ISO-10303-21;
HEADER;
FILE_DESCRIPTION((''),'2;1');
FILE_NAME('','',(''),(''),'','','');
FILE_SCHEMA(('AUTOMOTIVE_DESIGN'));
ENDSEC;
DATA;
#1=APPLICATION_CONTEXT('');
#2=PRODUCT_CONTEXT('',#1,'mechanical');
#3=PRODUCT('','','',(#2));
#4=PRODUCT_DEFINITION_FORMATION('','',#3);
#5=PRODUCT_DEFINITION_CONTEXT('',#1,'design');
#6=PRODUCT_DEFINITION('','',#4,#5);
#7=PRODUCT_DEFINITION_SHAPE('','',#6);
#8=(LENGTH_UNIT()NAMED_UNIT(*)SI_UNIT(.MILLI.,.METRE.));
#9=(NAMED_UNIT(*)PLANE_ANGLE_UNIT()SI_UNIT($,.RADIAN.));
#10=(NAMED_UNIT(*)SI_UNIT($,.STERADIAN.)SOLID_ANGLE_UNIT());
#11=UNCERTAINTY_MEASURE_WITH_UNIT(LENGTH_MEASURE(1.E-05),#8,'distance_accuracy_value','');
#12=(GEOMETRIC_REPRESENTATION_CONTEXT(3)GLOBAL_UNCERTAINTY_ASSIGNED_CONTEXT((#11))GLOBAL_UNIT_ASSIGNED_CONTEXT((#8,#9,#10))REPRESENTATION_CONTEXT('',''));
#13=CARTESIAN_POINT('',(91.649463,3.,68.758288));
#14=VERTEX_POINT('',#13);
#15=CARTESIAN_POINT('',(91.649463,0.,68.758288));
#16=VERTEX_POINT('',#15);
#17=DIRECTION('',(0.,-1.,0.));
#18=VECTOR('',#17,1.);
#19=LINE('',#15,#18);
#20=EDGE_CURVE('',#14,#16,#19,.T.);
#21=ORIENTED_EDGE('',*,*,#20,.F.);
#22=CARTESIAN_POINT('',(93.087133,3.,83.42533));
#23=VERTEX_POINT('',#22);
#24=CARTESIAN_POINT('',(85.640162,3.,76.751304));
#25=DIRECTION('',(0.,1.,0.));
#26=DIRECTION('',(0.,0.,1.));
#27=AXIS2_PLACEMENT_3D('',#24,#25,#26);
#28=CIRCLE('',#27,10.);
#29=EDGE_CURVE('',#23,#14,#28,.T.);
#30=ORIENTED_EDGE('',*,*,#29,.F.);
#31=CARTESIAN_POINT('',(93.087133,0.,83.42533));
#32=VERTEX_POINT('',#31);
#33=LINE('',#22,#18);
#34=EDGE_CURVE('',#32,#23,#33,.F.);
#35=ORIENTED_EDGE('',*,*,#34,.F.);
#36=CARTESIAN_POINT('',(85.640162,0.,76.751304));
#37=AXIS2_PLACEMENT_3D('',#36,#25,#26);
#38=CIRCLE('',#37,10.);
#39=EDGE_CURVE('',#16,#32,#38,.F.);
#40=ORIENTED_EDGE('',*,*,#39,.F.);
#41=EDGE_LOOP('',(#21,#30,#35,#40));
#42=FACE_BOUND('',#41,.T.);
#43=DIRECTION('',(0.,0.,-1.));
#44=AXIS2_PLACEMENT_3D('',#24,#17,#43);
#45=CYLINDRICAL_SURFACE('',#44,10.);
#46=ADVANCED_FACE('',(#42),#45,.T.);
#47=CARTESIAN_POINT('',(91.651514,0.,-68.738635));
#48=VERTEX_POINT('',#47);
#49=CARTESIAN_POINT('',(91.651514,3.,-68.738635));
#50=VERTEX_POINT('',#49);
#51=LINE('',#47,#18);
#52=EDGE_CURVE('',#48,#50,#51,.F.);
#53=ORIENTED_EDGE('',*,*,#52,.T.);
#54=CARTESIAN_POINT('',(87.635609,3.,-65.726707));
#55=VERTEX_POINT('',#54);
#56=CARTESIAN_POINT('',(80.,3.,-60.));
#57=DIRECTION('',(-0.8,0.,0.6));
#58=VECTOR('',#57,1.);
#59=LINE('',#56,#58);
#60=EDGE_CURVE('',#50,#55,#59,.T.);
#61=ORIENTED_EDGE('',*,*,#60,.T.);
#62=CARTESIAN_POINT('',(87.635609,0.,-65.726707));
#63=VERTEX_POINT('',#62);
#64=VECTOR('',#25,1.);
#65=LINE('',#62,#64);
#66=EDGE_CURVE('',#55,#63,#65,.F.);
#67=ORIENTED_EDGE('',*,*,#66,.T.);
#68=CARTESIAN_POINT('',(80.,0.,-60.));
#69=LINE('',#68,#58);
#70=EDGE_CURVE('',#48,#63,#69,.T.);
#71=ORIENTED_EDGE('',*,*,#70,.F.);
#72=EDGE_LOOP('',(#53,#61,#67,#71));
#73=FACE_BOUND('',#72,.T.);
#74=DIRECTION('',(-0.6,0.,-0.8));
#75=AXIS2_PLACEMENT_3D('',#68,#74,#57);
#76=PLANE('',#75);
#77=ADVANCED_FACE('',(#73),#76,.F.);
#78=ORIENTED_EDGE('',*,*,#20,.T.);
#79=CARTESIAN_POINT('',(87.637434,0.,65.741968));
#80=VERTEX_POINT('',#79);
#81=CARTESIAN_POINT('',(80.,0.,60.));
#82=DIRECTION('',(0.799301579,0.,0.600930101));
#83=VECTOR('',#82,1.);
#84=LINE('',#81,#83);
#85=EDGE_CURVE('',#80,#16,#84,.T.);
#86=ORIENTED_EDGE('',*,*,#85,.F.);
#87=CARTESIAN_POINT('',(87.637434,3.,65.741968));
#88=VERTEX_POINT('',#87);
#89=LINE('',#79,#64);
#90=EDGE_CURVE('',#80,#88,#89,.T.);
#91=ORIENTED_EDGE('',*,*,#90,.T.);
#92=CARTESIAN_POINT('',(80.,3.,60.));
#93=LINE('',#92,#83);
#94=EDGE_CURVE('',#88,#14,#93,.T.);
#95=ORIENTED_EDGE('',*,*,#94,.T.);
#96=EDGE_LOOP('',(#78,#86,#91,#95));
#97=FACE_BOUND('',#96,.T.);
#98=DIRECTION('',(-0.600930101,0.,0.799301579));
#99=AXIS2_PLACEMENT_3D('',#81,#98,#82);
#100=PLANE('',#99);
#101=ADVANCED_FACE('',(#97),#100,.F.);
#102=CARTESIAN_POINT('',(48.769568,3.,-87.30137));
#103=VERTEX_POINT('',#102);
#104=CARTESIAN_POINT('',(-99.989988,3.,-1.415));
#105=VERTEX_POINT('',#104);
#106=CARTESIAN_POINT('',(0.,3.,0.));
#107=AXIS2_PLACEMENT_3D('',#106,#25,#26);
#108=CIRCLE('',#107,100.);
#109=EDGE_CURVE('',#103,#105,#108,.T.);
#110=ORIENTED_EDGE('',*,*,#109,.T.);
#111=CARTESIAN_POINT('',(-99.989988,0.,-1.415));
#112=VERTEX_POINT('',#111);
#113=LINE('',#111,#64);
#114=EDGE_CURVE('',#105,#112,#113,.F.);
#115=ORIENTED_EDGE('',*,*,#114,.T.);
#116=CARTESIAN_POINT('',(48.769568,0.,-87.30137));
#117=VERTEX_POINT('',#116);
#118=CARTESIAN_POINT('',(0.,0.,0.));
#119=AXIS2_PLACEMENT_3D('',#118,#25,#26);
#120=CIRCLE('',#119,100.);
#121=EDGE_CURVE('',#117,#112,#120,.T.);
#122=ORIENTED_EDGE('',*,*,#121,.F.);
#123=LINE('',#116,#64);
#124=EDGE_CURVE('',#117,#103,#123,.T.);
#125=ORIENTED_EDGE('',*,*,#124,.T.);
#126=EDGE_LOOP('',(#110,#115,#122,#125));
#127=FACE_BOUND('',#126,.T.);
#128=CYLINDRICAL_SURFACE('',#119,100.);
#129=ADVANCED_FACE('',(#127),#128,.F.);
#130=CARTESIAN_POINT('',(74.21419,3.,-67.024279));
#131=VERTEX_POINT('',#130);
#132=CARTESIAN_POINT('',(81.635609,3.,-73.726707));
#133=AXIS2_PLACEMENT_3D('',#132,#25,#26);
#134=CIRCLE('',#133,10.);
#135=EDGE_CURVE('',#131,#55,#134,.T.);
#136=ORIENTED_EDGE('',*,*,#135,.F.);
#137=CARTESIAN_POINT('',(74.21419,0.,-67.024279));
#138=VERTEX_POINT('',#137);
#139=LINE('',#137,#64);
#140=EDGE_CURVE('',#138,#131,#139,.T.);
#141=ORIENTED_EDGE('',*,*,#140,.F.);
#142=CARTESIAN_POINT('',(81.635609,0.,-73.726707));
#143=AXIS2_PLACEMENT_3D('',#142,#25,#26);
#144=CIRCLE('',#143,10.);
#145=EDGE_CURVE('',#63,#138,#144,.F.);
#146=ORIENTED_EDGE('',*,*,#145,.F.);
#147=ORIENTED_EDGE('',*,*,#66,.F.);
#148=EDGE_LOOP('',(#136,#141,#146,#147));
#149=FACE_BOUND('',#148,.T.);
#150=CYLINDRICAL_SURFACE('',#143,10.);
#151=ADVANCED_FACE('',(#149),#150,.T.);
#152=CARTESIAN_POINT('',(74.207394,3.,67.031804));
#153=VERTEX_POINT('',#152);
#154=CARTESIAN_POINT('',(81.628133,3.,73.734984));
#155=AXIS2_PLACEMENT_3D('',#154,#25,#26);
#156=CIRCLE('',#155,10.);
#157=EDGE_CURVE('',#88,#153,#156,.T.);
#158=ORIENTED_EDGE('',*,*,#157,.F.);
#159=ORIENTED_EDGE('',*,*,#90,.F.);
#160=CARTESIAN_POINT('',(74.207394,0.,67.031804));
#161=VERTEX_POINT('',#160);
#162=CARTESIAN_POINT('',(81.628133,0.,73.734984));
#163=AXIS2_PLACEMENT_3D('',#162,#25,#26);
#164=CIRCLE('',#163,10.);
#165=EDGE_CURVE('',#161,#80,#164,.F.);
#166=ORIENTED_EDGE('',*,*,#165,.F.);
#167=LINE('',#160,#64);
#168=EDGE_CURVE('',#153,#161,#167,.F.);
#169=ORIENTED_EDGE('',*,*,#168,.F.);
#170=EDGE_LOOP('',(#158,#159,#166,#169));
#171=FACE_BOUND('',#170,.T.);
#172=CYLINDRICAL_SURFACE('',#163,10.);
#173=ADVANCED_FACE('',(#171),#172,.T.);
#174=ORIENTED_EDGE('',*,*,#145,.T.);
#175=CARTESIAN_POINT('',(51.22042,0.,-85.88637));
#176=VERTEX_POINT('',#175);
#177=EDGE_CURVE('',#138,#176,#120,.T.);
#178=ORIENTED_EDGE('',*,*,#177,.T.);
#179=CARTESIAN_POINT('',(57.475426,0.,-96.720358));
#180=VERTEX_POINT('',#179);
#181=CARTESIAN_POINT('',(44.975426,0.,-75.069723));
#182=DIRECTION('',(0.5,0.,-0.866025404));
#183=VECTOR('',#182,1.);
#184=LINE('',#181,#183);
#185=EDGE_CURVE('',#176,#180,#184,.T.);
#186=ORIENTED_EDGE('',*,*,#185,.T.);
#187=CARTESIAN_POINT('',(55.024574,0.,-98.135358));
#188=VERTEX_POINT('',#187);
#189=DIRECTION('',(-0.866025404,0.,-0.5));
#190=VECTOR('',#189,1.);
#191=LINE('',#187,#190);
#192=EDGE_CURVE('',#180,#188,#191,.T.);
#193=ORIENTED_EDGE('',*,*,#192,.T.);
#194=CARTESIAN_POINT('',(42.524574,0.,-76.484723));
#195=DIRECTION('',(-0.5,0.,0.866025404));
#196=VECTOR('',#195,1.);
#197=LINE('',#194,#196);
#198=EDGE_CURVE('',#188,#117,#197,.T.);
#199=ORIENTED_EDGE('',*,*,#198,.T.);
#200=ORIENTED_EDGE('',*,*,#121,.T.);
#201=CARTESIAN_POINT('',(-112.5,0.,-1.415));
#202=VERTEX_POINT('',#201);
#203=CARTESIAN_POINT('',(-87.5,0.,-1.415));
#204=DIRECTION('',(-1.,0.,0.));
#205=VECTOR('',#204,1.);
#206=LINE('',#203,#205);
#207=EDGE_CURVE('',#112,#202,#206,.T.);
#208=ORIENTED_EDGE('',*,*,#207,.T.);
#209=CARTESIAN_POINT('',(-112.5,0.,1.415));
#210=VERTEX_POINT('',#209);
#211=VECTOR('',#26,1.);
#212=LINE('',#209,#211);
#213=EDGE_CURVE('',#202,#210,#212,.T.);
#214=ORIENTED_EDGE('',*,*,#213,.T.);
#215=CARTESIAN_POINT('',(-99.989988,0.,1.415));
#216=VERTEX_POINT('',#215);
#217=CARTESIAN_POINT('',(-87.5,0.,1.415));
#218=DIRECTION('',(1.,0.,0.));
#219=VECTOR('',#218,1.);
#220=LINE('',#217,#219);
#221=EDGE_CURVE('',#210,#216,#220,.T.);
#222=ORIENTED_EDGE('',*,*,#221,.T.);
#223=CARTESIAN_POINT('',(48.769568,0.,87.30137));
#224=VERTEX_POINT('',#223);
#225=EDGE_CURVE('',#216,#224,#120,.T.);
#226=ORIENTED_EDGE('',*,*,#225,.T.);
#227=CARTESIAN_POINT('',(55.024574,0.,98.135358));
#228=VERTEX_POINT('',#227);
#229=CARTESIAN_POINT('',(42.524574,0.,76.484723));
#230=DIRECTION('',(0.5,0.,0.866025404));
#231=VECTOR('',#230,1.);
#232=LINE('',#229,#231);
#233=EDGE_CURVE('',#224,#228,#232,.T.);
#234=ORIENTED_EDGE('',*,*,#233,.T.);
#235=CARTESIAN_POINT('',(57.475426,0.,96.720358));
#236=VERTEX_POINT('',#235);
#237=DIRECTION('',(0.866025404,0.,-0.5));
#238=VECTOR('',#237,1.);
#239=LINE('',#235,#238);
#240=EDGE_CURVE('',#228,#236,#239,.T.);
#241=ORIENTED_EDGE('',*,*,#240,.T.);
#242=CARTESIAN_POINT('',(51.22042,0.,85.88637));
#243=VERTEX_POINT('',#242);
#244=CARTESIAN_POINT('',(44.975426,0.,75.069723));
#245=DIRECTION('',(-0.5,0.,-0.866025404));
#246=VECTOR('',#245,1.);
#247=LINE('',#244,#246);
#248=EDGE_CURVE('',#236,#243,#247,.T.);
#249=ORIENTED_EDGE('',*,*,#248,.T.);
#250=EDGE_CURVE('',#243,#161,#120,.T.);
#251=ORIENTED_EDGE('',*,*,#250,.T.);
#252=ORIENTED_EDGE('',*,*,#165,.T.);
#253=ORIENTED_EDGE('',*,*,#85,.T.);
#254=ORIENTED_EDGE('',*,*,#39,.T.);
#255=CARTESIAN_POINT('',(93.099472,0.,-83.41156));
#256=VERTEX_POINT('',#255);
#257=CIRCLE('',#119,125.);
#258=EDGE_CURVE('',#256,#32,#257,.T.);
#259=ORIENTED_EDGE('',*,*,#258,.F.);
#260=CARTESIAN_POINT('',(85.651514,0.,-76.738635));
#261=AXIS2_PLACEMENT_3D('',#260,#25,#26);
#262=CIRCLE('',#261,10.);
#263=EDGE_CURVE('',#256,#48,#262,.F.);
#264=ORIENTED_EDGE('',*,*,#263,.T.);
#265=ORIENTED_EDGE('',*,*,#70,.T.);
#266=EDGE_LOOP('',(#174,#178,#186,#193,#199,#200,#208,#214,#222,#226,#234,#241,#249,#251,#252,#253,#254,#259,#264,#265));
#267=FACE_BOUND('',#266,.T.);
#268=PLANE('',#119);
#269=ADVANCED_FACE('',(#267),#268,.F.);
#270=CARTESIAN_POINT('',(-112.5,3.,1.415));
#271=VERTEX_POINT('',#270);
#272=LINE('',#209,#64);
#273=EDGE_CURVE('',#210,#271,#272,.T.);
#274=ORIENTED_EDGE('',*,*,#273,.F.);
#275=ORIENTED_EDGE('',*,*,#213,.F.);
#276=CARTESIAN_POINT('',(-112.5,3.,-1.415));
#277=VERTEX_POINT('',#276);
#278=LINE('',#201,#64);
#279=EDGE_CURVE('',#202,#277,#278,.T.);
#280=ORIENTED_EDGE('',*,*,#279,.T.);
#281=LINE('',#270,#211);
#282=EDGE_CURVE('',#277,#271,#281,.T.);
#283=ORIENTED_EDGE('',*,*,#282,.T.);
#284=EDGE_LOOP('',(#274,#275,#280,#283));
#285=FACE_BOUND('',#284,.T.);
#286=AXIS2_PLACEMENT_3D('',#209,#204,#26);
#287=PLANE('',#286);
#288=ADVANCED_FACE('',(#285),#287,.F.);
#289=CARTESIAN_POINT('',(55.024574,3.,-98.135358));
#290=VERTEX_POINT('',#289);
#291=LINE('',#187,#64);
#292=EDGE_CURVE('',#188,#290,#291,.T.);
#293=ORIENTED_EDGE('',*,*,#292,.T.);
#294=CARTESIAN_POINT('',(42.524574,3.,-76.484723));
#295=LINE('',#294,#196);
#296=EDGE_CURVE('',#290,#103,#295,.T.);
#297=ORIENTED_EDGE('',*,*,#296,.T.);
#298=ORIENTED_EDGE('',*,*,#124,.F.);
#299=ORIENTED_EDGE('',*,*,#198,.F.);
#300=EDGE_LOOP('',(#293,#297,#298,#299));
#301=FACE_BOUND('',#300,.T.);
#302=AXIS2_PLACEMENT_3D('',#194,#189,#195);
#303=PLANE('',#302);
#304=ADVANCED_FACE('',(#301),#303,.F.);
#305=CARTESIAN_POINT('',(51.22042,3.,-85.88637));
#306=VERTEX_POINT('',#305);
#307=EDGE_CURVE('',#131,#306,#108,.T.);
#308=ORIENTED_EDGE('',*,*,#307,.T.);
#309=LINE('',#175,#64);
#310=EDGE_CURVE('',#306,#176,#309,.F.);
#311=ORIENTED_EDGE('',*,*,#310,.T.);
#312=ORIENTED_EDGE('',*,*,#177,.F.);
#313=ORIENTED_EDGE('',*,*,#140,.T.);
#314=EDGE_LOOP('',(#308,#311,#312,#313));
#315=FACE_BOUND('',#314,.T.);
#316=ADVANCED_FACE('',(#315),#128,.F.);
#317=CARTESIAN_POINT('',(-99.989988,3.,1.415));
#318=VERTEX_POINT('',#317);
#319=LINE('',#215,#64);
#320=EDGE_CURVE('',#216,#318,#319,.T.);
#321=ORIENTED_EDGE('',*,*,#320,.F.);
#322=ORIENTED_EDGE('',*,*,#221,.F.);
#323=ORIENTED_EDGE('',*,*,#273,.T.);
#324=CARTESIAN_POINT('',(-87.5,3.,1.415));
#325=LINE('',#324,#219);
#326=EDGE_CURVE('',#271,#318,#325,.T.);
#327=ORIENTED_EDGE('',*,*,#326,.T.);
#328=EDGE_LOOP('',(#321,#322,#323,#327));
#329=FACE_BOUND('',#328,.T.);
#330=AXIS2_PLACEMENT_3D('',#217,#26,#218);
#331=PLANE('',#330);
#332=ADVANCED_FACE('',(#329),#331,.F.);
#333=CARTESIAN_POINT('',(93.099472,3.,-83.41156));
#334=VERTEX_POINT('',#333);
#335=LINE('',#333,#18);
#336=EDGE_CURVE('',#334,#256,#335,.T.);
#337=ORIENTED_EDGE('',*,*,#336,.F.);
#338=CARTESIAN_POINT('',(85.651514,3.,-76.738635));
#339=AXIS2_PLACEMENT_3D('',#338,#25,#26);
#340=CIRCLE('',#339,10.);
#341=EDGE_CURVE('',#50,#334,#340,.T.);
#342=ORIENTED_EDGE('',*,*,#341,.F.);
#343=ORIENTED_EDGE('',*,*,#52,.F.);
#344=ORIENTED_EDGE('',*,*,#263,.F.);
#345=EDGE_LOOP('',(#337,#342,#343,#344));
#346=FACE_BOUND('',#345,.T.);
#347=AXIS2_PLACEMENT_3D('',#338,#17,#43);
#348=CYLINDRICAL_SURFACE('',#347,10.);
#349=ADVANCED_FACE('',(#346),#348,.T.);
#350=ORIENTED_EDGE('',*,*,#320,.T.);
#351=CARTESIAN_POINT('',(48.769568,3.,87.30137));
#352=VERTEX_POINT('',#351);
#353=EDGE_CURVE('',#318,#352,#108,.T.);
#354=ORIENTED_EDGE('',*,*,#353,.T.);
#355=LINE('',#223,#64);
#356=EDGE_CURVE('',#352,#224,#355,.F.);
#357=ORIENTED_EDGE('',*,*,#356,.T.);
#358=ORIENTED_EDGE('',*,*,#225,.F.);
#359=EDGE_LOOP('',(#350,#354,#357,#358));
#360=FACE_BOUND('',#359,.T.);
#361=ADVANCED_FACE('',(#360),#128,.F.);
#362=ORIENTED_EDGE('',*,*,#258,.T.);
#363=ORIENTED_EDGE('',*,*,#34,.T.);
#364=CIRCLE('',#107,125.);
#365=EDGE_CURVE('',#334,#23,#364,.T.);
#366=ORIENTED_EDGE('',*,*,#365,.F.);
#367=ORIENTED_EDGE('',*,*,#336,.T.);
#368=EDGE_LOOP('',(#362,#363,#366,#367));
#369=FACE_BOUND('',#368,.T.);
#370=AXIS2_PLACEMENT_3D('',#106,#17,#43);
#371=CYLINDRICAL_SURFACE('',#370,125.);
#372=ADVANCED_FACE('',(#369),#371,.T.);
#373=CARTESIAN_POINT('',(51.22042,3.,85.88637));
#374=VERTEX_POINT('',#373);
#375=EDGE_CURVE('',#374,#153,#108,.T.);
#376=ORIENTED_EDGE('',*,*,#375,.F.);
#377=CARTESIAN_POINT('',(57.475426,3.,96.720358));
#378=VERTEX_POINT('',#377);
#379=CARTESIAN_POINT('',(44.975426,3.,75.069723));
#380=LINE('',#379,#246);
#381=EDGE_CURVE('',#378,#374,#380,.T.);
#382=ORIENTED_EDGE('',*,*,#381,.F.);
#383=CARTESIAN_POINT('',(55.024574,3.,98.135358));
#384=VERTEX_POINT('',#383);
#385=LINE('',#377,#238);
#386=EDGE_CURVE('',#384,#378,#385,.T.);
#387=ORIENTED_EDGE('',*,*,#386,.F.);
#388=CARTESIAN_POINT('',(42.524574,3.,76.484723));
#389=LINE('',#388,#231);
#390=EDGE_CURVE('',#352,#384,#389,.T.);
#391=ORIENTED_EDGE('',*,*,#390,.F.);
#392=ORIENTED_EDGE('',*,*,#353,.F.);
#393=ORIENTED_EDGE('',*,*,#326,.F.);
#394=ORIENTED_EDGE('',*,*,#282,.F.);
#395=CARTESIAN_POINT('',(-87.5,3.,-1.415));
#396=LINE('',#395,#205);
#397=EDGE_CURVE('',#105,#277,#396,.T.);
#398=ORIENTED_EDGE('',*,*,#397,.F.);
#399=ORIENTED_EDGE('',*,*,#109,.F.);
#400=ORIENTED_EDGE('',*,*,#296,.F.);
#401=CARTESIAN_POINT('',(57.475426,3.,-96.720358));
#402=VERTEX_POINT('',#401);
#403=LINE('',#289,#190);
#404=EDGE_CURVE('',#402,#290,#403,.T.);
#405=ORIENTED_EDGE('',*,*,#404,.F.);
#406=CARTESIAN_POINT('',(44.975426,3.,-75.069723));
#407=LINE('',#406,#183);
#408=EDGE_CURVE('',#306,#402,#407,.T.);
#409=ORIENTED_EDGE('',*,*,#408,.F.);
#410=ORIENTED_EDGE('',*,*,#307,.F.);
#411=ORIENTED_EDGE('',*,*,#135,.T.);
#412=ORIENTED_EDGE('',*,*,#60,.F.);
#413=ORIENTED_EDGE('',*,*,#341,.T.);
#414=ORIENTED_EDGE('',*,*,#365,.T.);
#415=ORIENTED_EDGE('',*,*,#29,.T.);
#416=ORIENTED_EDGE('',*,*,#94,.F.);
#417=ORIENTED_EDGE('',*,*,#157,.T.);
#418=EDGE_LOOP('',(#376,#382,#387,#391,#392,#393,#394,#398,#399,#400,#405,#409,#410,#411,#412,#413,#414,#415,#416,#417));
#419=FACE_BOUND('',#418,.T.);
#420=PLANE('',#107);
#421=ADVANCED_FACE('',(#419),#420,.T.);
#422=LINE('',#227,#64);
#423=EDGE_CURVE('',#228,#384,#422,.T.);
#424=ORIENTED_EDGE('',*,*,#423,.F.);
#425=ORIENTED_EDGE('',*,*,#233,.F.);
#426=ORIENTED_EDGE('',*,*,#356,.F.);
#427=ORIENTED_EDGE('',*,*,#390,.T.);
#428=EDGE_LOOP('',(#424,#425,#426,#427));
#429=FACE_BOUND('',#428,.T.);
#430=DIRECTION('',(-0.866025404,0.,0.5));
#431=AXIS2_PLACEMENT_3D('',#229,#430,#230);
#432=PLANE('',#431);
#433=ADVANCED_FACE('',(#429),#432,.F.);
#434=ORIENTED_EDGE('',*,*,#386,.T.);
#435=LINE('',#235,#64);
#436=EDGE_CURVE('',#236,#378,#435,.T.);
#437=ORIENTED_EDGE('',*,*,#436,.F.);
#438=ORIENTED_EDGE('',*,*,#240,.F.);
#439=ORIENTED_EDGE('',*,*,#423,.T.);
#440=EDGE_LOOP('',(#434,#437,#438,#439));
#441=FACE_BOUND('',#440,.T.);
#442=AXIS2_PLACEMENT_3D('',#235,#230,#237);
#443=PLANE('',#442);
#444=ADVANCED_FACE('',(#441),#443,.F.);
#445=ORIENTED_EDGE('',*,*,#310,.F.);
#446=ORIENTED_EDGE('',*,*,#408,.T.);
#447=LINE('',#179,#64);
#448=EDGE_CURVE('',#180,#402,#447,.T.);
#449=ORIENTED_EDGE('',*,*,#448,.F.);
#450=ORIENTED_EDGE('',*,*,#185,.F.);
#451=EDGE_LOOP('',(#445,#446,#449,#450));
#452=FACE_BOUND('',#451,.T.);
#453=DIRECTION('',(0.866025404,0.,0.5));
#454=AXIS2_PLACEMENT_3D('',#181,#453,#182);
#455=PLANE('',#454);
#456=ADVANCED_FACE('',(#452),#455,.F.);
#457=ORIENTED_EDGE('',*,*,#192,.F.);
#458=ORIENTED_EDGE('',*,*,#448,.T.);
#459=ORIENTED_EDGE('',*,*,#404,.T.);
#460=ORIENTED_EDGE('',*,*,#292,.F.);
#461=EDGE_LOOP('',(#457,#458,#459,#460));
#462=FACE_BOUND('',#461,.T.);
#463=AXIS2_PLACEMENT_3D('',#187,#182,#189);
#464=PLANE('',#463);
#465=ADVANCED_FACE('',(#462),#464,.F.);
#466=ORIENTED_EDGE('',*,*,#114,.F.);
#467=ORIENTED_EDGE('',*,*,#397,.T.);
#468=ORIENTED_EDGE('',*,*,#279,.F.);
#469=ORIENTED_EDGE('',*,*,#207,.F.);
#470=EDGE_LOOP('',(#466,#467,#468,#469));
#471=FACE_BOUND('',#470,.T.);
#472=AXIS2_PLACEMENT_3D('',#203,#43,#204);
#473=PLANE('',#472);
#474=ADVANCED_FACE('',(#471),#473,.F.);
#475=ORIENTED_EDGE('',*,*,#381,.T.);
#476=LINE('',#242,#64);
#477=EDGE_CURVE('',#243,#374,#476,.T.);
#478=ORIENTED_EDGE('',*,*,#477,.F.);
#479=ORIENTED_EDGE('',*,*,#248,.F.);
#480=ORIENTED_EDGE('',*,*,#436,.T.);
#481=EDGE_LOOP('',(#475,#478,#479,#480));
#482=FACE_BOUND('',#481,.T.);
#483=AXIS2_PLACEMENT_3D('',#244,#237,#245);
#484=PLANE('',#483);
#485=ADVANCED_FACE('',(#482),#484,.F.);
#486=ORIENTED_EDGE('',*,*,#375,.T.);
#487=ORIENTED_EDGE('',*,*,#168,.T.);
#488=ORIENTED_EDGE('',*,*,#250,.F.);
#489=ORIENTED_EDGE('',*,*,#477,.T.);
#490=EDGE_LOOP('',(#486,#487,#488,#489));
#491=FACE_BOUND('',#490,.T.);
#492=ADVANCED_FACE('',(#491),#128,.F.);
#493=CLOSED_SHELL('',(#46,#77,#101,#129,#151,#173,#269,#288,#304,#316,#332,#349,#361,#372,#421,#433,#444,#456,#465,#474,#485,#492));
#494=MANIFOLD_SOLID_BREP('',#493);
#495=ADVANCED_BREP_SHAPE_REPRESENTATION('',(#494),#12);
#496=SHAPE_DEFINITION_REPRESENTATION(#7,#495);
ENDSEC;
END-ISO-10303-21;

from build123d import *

# Parameters (mm, degrees)
SKETCH1_R           = 125
BOSS_EXTRUDE1_DEPTH = 3
SKETCH2_R           = 100
CUT_EXTRUDE1_DEPTH  = 3
SKETCH3_W           = 25
SKETCH3_H           = 2.83
CUT_EXTRUDE2_DEPTH  = 3
CIRPATTERN1_COUNT   = 3
CUT_EXTRUDE3_DEPTH  = 3
FILLET1_R           = 10


with BuildPart() as part:
    # Sketch1 → Boss-Extrude1 (new body)
    with BuildSketch(Plane(origin=(0, 0, 0), x_dir=(1, 0, 0), z_dir=(0, 1, 0))):
        with Locations(Location((0, 0, 0), (0, 0, 270))):
            Circle(SKETCH1_R)
    extrude(amount=BOSS_EXTRUDE1_DEPTH)

    # Sketch2 → Cut-Extrude1 (cut)
    with BuildSketch(Plane(origin=(0, 3, 0), x_dir=(1, 0, 0), z_dir=(0, 1, 0))):
        with Locations(Location((0, 0, 0), (0, 0, 270))):
            Circle(SKETCH2_R)
    extrude(amount=-CUT_EXTRUDE1_DEPTH, mode=Mode.SUBTRACT)

    # Sketch3 → Cut-Extrude2 (cut)
    with BuildSketch(Plane(origin=(0, 3, 0), x_dir=(1, 0, 0), z_dir=(0, 1, 0))):
        with Locations((-100, 0)):
            Rectangle(SKETCH3_W, SKETCH3_H)
    cut_extrude2 = extrude(amount=-CUT_EXTRUDE2_DEPTH, mode=Mode.SUBTRACT)

    # CirPattern1: Cut-Extrude2 ×3 about axis
    cirpattern1_axis = Axis((0, 0, 0), (0, 1, 0))
    for i in range(1, CIRPATTERN1_COUNT):
        add(cut_extrude2.rotate(cirpattern1_axis, i * 360 / CIRPATTERN1_COUNT), mode=Mode.SUBTRACT)

    # Sketch4 → Cut-Extrude3 (cut)
    with BuildSketch(Plane(origin=(0, 3, 0), x_dir=(1, 0, 0), z_dir=(0, 1, 0))):
        with BuildLine():
            Line((80, -60), (99.982550279, -75.023260657))
            ThreePointArc((99.982550279, -75.023260657), (124.999999154, -0.014539179), (100, 75))
            Line((100, 75), (80, 60))
            ThreePointArc((80, 60), (100, 0), (80, -60))
        make_face()
    extrude(amount=-CUT_EXTRUDE3_DEPTH, mode=Mode.SUBTRACT)

    # Fillet1
    fillet1_edges = [part.edges().sort_by_distance(p)[0] for p in [
        (80, 1.5, 60),
        (80, 1.5, -60),
        (100, 1.5, -75),
        (99.982550279, 1.5, 75.023260657),
    ]]
    fillet(fillet1_edges, radius=FILLET1_R)


solid = part.part
